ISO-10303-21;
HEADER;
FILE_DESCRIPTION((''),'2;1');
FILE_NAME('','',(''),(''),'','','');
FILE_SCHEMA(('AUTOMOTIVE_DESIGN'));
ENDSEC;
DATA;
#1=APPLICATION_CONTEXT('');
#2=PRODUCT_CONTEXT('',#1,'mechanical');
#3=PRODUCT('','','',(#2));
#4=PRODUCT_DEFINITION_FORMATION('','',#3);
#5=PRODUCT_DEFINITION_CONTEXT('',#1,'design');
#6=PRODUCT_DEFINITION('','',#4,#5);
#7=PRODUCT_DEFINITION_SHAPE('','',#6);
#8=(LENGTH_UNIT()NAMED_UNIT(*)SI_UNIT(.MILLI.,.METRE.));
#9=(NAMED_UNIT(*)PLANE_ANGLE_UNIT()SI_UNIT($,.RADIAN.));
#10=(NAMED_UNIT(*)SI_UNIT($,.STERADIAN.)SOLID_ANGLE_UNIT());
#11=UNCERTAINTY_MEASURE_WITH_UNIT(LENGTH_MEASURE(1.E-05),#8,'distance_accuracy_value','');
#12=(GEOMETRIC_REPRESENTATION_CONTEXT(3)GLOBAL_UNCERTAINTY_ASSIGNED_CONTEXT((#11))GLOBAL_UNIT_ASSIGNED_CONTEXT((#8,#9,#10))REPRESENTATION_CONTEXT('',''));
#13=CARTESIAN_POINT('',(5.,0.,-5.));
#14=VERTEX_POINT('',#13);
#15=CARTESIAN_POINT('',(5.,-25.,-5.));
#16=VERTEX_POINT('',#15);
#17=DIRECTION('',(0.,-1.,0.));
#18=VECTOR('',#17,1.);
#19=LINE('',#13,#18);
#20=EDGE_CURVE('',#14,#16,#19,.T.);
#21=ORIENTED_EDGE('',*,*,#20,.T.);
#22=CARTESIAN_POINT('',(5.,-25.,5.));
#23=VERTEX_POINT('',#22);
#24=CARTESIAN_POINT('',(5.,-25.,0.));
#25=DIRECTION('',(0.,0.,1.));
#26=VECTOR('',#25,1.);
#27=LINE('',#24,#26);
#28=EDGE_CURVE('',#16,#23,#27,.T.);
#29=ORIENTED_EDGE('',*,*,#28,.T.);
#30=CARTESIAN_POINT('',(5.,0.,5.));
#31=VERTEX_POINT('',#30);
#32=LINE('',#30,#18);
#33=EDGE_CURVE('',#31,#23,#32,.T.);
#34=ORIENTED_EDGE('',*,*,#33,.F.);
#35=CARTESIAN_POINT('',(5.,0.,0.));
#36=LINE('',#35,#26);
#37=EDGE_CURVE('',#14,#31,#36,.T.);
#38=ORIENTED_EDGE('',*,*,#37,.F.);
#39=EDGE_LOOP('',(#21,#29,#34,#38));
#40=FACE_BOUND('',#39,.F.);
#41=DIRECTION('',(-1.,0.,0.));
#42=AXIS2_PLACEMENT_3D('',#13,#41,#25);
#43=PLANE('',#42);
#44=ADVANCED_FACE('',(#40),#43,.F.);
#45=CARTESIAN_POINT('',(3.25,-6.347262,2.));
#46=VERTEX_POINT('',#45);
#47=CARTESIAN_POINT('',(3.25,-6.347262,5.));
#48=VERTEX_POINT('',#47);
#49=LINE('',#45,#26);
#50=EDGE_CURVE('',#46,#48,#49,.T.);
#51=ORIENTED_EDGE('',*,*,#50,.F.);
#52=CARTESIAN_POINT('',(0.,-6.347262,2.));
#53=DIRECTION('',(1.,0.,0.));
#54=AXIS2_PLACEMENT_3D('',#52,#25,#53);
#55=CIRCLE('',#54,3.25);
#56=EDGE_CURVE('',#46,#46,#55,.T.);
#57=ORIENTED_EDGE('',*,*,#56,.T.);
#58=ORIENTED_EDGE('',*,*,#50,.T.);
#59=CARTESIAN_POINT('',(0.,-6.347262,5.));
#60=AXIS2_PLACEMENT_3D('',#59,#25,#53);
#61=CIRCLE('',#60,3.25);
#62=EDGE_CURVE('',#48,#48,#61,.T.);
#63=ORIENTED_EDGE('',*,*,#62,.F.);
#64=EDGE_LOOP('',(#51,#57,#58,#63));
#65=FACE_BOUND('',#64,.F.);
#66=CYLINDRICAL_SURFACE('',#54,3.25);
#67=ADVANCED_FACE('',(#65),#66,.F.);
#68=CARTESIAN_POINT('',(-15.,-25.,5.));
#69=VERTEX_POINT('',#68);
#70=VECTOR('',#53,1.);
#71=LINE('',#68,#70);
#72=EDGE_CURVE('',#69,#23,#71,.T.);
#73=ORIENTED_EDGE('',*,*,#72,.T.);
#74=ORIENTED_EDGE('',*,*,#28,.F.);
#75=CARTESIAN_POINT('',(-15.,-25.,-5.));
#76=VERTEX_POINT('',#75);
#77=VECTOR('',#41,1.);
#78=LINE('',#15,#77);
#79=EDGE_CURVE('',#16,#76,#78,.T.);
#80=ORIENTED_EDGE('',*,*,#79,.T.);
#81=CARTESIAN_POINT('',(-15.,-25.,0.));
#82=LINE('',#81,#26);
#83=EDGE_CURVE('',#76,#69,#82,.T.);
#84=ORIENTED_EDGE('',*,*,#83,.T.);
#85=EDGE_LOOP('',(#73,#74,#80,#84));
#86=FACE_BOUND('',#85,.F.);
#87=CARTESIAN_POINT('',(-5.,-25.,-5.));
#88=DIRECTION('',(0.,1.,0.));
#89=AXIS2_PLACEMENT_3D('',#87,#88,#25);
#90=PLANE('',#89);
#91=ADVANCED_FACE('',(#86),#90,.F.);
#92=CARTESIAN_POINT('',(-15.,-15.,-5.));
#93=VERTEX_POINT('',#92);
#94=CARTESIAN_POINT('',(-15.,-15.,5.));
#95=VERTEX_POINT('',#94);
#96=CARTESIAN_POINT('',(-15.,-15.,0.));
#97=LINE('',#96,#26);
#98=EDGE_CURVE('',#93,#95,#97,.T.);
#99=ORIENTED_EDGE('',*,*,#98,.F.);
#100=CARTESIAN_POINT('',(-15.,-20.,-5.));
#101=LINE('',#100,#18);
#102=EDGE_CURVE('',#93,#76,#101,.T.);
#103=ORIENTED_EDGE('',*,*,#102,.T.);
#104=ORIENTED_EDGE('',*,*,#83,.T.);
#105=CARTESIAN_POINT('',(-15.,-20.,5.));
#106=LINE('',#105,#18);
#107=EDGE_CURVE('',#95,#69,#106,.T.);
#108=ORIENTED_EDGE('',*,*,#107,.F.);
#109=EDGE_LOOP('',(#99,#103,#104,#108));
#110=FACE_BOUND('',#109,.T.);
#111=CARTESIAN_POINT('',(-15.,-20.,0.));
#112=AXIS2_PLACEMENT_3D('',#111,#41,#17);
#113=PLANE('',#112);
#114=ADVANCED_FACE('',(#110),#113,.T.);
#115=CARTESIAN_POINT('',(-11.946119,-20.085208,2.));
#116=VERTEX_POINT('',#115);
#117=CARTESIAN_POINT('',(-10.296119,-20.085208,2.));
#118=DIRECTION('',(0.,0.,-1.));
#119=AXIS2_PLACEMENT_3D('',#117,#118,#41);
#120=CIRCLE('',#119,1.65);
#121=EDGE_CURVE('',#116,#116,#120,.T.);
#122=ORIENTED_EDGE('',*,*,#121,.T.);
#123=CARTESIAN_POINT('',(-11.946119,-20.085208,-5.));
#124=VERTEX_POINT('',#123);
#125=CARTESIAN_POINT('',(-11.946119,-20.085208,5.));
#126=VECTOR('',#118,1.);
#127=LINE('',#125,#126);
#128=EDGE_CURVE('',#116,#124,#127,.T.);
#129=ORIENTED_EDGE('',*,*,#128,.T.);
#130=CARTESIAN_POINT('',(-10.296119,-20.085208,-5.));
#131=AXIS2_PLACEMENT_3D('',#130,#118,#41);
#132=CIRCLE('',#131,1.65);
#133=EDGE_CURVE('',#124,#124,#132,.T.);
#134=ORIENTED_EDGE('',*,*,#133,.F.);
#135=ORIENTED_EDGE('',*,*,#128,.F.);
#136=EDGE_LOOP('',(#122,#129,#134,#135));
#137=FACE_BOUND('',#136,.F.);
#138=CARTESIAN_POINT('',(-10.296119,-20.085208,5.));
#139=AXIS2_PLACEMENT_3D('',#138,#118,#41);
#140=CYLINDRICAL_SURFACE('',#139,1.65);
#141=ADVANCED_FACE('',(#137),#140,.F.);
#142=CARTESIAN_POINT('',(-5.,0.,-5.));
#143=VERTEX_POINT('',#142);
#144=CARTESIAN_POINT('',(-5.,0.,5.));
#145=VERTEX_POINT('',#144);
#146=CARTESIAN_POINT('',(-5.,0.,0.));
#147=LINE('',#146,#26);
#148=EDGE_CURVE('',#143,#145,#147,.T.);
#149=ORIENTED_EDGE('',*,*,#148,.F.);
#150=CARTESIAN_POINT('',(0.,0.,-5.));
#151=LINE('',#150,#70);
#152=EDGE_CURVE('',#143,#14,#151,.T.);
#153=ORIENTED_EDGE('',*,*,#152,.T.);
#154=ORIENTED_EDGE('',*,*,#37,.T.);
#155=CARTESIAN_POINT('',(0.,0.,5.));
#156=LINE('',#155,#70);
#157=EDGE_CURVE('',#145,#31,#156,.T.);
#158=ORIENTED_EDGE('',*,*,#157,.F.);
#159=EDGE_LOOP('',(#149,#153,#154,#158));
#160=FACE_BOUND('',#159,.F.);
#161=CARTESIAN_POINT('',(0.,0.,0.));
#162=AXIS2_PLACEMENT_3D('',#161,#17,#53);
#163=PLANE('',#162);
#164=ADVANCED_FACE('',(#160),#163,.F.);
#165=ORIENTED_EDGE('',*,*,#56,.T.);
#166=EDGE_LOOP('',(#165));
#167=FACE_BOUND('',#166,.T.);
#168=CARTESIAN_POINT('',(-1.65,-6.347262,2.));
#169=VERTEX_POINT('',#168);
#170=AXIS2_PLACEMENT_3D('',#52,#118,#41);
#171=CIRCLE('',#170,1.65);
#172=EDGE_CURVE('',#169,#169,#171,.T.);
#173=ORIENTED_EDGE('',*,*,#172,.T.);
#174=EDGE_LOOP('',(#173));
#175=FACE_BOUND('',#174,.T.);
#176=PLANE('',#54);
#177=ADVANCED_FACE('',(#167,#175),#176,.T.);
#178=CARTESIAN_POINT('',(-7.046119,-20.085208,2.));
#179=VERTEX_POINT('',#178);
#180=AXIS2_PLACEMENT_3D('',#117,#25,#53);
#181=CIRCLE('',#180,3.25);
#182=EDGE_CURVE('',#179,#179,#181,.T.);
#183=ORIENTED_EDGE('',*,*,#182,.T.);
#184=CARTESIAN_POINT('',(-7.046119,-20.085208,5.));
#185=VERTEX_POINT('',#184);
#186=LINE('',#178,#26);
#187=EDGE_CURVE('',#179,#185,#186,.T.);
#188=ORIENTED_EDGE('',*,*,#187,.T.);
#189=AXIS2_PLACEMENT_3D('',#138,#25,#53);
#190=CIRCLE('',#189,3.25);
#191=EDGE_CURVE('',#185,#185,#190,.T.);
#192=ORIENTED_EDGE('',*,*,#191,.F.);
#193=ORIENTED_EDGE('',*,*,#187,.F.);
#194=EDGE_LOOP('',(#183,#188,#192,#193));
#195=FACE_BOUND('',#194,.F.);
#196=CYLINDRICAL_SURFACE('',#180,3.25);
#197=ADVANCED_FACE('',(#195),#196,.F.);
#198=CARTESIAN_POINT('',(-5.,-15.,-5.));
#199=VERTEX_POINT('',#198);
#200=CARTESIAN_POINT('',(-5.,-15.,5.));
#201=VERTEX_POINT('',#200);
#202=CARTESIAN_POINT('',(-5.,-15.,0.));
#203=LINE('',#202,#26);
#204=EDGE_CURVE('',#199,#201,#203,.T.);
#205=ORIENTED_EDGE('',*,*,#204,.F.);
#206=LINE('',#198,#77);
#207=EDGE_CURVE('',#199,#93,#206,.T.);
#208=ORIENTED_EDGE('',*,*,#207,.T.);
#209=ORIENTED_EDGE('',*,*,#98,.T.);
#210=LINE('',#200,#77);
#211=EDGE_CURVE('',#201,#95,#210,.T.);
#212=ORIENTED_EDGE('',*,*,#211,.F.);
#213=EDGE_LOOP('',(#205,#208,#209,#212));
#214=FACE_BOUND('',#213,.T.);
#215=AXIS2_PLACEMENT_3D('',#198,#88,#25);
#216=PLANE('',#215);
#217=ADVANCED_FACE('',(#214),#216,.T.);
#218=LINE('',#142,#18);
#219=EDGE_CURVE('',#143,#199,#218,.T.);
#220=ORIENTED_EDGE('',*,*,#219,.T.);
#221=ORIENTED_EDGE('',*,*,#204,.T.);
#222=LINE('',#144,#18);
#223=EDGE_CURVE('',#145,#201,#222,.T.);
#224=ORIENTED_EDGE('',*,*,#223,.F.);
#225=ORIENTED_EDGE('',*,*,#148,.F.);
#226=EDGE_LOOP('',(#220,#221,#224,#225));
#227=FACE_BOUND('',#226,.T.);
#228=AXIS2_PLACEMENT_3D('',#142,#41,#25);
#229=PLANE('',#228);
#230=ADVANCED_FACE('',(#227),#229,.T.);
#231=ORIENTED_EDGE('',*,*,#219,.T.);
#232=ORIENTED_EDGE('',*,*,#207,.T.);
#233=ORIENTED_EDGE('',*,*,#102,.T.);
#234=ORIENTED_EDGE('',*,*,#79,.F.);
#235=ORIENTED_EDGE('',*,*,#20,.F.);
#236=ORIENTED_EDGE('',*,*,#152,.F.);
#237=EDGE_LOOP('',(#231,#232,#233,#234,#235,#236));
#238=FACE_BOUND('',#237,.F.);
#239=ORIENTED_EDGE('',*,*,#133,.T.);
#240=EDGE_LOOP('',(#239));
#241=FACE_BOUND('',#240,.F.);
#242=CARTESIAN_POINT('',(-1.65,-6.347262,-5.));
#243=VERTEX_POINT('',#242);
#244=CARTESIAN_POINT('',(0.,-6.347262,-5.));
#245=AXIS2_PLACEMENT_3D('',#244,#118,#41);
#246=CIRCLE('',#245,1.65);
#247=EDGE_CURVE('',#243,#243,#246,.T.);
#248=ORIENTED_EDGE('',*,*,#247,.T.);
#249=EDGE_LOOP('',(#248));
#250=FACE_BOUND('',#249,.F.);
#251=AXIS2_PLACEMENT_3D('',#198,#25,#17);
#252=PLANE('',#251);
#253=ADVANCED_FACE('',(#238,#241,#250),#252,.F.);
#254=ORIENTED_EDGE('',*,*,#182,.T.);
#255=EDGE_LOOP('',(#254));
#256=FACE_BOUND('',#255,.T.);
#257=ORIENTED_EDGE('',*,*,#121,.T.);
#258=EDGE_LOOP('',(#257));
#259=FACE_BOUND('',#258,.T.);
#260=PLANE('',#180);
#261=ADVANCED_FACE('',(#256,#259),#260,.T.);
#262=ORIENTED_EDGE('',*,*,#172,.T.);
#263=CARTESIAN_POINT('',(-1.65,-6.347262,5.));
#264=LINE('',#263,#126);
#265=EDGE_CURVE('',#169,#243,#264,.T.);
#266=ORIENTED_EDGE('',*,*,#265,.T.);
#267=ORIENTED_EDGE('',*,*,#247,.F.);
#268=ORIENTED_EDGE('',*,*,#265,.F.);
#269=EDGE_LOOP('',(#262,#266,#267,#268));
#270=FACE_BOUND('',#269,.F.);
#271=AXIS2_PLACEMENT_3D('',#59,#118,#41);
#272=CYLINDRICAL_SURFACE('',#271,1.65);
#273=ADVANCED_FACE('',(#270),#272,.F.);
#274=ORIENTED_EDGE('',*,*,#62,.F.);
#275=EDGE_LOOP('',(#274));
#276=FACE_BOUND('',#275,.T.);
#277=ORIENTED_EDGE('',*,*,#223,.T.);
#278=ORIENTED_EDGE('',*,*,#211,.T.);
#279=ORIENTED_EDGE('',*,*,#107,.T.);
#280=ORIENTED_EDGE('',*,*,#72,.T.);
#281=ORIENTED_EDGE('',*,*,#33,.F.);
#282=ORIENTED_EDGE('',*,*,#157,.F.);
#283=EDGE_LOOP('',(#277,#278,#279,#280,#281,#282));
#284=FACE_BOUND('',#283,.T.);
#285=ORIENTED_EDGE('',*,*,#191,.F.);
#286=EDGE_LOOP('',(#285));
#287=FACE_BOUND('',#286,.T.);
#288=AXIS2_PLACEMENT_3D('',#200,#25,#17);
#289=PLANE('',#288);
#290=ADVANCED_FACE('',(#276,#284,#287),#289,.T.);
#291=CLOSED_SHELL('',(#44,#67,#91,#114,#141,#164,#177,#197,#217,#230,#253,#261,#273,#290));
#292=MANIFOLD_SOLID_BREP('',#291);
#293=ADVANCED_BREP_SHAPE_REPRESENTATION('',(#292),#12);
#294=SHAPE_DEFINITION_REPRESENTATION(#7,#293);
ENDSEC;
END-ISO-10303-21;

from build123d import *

# Parameters (mm, degrees)
F0_W           = 10
F0_H           = 10
F1_DEPTH       = 25
F2_W           = 10
F2_H           = 10
F3_DEPTH       = 10
F5_D           = 3.3
F5_CBORE_D     = 6.5
F5_CBORE_DEPTH = 3


with BuildPart() as f1:
    # F0 (on Front) → F1 (new body)
    with BuildSketch(Plane.XZ):
        Rectangle(F0_W, F0_H)
    extrude(amount=F1_DEPTH)

    # F2 (on face) → F3 (join)
    with BuildSketch(Plane(origin=(-5, 0, 0), x_dir=(0, -1, 0), z_dir=(-1, 0, 0))):
        with Locations((20, 0)):
            Rectangle(F2_W, F2_H)
    extrude(amount=F3_DEPTH)

    # F5 (through all)
    with Locations(Plane.XY.offset(5)):
        with Locations((0, -6.3472618349), (-10.296119377, -20.085208118)):
            CounterBoreHole(F5_D / 2, F5_CBORE_D / 2, F5_CBORE_DEPTH)


solid = f1.part
